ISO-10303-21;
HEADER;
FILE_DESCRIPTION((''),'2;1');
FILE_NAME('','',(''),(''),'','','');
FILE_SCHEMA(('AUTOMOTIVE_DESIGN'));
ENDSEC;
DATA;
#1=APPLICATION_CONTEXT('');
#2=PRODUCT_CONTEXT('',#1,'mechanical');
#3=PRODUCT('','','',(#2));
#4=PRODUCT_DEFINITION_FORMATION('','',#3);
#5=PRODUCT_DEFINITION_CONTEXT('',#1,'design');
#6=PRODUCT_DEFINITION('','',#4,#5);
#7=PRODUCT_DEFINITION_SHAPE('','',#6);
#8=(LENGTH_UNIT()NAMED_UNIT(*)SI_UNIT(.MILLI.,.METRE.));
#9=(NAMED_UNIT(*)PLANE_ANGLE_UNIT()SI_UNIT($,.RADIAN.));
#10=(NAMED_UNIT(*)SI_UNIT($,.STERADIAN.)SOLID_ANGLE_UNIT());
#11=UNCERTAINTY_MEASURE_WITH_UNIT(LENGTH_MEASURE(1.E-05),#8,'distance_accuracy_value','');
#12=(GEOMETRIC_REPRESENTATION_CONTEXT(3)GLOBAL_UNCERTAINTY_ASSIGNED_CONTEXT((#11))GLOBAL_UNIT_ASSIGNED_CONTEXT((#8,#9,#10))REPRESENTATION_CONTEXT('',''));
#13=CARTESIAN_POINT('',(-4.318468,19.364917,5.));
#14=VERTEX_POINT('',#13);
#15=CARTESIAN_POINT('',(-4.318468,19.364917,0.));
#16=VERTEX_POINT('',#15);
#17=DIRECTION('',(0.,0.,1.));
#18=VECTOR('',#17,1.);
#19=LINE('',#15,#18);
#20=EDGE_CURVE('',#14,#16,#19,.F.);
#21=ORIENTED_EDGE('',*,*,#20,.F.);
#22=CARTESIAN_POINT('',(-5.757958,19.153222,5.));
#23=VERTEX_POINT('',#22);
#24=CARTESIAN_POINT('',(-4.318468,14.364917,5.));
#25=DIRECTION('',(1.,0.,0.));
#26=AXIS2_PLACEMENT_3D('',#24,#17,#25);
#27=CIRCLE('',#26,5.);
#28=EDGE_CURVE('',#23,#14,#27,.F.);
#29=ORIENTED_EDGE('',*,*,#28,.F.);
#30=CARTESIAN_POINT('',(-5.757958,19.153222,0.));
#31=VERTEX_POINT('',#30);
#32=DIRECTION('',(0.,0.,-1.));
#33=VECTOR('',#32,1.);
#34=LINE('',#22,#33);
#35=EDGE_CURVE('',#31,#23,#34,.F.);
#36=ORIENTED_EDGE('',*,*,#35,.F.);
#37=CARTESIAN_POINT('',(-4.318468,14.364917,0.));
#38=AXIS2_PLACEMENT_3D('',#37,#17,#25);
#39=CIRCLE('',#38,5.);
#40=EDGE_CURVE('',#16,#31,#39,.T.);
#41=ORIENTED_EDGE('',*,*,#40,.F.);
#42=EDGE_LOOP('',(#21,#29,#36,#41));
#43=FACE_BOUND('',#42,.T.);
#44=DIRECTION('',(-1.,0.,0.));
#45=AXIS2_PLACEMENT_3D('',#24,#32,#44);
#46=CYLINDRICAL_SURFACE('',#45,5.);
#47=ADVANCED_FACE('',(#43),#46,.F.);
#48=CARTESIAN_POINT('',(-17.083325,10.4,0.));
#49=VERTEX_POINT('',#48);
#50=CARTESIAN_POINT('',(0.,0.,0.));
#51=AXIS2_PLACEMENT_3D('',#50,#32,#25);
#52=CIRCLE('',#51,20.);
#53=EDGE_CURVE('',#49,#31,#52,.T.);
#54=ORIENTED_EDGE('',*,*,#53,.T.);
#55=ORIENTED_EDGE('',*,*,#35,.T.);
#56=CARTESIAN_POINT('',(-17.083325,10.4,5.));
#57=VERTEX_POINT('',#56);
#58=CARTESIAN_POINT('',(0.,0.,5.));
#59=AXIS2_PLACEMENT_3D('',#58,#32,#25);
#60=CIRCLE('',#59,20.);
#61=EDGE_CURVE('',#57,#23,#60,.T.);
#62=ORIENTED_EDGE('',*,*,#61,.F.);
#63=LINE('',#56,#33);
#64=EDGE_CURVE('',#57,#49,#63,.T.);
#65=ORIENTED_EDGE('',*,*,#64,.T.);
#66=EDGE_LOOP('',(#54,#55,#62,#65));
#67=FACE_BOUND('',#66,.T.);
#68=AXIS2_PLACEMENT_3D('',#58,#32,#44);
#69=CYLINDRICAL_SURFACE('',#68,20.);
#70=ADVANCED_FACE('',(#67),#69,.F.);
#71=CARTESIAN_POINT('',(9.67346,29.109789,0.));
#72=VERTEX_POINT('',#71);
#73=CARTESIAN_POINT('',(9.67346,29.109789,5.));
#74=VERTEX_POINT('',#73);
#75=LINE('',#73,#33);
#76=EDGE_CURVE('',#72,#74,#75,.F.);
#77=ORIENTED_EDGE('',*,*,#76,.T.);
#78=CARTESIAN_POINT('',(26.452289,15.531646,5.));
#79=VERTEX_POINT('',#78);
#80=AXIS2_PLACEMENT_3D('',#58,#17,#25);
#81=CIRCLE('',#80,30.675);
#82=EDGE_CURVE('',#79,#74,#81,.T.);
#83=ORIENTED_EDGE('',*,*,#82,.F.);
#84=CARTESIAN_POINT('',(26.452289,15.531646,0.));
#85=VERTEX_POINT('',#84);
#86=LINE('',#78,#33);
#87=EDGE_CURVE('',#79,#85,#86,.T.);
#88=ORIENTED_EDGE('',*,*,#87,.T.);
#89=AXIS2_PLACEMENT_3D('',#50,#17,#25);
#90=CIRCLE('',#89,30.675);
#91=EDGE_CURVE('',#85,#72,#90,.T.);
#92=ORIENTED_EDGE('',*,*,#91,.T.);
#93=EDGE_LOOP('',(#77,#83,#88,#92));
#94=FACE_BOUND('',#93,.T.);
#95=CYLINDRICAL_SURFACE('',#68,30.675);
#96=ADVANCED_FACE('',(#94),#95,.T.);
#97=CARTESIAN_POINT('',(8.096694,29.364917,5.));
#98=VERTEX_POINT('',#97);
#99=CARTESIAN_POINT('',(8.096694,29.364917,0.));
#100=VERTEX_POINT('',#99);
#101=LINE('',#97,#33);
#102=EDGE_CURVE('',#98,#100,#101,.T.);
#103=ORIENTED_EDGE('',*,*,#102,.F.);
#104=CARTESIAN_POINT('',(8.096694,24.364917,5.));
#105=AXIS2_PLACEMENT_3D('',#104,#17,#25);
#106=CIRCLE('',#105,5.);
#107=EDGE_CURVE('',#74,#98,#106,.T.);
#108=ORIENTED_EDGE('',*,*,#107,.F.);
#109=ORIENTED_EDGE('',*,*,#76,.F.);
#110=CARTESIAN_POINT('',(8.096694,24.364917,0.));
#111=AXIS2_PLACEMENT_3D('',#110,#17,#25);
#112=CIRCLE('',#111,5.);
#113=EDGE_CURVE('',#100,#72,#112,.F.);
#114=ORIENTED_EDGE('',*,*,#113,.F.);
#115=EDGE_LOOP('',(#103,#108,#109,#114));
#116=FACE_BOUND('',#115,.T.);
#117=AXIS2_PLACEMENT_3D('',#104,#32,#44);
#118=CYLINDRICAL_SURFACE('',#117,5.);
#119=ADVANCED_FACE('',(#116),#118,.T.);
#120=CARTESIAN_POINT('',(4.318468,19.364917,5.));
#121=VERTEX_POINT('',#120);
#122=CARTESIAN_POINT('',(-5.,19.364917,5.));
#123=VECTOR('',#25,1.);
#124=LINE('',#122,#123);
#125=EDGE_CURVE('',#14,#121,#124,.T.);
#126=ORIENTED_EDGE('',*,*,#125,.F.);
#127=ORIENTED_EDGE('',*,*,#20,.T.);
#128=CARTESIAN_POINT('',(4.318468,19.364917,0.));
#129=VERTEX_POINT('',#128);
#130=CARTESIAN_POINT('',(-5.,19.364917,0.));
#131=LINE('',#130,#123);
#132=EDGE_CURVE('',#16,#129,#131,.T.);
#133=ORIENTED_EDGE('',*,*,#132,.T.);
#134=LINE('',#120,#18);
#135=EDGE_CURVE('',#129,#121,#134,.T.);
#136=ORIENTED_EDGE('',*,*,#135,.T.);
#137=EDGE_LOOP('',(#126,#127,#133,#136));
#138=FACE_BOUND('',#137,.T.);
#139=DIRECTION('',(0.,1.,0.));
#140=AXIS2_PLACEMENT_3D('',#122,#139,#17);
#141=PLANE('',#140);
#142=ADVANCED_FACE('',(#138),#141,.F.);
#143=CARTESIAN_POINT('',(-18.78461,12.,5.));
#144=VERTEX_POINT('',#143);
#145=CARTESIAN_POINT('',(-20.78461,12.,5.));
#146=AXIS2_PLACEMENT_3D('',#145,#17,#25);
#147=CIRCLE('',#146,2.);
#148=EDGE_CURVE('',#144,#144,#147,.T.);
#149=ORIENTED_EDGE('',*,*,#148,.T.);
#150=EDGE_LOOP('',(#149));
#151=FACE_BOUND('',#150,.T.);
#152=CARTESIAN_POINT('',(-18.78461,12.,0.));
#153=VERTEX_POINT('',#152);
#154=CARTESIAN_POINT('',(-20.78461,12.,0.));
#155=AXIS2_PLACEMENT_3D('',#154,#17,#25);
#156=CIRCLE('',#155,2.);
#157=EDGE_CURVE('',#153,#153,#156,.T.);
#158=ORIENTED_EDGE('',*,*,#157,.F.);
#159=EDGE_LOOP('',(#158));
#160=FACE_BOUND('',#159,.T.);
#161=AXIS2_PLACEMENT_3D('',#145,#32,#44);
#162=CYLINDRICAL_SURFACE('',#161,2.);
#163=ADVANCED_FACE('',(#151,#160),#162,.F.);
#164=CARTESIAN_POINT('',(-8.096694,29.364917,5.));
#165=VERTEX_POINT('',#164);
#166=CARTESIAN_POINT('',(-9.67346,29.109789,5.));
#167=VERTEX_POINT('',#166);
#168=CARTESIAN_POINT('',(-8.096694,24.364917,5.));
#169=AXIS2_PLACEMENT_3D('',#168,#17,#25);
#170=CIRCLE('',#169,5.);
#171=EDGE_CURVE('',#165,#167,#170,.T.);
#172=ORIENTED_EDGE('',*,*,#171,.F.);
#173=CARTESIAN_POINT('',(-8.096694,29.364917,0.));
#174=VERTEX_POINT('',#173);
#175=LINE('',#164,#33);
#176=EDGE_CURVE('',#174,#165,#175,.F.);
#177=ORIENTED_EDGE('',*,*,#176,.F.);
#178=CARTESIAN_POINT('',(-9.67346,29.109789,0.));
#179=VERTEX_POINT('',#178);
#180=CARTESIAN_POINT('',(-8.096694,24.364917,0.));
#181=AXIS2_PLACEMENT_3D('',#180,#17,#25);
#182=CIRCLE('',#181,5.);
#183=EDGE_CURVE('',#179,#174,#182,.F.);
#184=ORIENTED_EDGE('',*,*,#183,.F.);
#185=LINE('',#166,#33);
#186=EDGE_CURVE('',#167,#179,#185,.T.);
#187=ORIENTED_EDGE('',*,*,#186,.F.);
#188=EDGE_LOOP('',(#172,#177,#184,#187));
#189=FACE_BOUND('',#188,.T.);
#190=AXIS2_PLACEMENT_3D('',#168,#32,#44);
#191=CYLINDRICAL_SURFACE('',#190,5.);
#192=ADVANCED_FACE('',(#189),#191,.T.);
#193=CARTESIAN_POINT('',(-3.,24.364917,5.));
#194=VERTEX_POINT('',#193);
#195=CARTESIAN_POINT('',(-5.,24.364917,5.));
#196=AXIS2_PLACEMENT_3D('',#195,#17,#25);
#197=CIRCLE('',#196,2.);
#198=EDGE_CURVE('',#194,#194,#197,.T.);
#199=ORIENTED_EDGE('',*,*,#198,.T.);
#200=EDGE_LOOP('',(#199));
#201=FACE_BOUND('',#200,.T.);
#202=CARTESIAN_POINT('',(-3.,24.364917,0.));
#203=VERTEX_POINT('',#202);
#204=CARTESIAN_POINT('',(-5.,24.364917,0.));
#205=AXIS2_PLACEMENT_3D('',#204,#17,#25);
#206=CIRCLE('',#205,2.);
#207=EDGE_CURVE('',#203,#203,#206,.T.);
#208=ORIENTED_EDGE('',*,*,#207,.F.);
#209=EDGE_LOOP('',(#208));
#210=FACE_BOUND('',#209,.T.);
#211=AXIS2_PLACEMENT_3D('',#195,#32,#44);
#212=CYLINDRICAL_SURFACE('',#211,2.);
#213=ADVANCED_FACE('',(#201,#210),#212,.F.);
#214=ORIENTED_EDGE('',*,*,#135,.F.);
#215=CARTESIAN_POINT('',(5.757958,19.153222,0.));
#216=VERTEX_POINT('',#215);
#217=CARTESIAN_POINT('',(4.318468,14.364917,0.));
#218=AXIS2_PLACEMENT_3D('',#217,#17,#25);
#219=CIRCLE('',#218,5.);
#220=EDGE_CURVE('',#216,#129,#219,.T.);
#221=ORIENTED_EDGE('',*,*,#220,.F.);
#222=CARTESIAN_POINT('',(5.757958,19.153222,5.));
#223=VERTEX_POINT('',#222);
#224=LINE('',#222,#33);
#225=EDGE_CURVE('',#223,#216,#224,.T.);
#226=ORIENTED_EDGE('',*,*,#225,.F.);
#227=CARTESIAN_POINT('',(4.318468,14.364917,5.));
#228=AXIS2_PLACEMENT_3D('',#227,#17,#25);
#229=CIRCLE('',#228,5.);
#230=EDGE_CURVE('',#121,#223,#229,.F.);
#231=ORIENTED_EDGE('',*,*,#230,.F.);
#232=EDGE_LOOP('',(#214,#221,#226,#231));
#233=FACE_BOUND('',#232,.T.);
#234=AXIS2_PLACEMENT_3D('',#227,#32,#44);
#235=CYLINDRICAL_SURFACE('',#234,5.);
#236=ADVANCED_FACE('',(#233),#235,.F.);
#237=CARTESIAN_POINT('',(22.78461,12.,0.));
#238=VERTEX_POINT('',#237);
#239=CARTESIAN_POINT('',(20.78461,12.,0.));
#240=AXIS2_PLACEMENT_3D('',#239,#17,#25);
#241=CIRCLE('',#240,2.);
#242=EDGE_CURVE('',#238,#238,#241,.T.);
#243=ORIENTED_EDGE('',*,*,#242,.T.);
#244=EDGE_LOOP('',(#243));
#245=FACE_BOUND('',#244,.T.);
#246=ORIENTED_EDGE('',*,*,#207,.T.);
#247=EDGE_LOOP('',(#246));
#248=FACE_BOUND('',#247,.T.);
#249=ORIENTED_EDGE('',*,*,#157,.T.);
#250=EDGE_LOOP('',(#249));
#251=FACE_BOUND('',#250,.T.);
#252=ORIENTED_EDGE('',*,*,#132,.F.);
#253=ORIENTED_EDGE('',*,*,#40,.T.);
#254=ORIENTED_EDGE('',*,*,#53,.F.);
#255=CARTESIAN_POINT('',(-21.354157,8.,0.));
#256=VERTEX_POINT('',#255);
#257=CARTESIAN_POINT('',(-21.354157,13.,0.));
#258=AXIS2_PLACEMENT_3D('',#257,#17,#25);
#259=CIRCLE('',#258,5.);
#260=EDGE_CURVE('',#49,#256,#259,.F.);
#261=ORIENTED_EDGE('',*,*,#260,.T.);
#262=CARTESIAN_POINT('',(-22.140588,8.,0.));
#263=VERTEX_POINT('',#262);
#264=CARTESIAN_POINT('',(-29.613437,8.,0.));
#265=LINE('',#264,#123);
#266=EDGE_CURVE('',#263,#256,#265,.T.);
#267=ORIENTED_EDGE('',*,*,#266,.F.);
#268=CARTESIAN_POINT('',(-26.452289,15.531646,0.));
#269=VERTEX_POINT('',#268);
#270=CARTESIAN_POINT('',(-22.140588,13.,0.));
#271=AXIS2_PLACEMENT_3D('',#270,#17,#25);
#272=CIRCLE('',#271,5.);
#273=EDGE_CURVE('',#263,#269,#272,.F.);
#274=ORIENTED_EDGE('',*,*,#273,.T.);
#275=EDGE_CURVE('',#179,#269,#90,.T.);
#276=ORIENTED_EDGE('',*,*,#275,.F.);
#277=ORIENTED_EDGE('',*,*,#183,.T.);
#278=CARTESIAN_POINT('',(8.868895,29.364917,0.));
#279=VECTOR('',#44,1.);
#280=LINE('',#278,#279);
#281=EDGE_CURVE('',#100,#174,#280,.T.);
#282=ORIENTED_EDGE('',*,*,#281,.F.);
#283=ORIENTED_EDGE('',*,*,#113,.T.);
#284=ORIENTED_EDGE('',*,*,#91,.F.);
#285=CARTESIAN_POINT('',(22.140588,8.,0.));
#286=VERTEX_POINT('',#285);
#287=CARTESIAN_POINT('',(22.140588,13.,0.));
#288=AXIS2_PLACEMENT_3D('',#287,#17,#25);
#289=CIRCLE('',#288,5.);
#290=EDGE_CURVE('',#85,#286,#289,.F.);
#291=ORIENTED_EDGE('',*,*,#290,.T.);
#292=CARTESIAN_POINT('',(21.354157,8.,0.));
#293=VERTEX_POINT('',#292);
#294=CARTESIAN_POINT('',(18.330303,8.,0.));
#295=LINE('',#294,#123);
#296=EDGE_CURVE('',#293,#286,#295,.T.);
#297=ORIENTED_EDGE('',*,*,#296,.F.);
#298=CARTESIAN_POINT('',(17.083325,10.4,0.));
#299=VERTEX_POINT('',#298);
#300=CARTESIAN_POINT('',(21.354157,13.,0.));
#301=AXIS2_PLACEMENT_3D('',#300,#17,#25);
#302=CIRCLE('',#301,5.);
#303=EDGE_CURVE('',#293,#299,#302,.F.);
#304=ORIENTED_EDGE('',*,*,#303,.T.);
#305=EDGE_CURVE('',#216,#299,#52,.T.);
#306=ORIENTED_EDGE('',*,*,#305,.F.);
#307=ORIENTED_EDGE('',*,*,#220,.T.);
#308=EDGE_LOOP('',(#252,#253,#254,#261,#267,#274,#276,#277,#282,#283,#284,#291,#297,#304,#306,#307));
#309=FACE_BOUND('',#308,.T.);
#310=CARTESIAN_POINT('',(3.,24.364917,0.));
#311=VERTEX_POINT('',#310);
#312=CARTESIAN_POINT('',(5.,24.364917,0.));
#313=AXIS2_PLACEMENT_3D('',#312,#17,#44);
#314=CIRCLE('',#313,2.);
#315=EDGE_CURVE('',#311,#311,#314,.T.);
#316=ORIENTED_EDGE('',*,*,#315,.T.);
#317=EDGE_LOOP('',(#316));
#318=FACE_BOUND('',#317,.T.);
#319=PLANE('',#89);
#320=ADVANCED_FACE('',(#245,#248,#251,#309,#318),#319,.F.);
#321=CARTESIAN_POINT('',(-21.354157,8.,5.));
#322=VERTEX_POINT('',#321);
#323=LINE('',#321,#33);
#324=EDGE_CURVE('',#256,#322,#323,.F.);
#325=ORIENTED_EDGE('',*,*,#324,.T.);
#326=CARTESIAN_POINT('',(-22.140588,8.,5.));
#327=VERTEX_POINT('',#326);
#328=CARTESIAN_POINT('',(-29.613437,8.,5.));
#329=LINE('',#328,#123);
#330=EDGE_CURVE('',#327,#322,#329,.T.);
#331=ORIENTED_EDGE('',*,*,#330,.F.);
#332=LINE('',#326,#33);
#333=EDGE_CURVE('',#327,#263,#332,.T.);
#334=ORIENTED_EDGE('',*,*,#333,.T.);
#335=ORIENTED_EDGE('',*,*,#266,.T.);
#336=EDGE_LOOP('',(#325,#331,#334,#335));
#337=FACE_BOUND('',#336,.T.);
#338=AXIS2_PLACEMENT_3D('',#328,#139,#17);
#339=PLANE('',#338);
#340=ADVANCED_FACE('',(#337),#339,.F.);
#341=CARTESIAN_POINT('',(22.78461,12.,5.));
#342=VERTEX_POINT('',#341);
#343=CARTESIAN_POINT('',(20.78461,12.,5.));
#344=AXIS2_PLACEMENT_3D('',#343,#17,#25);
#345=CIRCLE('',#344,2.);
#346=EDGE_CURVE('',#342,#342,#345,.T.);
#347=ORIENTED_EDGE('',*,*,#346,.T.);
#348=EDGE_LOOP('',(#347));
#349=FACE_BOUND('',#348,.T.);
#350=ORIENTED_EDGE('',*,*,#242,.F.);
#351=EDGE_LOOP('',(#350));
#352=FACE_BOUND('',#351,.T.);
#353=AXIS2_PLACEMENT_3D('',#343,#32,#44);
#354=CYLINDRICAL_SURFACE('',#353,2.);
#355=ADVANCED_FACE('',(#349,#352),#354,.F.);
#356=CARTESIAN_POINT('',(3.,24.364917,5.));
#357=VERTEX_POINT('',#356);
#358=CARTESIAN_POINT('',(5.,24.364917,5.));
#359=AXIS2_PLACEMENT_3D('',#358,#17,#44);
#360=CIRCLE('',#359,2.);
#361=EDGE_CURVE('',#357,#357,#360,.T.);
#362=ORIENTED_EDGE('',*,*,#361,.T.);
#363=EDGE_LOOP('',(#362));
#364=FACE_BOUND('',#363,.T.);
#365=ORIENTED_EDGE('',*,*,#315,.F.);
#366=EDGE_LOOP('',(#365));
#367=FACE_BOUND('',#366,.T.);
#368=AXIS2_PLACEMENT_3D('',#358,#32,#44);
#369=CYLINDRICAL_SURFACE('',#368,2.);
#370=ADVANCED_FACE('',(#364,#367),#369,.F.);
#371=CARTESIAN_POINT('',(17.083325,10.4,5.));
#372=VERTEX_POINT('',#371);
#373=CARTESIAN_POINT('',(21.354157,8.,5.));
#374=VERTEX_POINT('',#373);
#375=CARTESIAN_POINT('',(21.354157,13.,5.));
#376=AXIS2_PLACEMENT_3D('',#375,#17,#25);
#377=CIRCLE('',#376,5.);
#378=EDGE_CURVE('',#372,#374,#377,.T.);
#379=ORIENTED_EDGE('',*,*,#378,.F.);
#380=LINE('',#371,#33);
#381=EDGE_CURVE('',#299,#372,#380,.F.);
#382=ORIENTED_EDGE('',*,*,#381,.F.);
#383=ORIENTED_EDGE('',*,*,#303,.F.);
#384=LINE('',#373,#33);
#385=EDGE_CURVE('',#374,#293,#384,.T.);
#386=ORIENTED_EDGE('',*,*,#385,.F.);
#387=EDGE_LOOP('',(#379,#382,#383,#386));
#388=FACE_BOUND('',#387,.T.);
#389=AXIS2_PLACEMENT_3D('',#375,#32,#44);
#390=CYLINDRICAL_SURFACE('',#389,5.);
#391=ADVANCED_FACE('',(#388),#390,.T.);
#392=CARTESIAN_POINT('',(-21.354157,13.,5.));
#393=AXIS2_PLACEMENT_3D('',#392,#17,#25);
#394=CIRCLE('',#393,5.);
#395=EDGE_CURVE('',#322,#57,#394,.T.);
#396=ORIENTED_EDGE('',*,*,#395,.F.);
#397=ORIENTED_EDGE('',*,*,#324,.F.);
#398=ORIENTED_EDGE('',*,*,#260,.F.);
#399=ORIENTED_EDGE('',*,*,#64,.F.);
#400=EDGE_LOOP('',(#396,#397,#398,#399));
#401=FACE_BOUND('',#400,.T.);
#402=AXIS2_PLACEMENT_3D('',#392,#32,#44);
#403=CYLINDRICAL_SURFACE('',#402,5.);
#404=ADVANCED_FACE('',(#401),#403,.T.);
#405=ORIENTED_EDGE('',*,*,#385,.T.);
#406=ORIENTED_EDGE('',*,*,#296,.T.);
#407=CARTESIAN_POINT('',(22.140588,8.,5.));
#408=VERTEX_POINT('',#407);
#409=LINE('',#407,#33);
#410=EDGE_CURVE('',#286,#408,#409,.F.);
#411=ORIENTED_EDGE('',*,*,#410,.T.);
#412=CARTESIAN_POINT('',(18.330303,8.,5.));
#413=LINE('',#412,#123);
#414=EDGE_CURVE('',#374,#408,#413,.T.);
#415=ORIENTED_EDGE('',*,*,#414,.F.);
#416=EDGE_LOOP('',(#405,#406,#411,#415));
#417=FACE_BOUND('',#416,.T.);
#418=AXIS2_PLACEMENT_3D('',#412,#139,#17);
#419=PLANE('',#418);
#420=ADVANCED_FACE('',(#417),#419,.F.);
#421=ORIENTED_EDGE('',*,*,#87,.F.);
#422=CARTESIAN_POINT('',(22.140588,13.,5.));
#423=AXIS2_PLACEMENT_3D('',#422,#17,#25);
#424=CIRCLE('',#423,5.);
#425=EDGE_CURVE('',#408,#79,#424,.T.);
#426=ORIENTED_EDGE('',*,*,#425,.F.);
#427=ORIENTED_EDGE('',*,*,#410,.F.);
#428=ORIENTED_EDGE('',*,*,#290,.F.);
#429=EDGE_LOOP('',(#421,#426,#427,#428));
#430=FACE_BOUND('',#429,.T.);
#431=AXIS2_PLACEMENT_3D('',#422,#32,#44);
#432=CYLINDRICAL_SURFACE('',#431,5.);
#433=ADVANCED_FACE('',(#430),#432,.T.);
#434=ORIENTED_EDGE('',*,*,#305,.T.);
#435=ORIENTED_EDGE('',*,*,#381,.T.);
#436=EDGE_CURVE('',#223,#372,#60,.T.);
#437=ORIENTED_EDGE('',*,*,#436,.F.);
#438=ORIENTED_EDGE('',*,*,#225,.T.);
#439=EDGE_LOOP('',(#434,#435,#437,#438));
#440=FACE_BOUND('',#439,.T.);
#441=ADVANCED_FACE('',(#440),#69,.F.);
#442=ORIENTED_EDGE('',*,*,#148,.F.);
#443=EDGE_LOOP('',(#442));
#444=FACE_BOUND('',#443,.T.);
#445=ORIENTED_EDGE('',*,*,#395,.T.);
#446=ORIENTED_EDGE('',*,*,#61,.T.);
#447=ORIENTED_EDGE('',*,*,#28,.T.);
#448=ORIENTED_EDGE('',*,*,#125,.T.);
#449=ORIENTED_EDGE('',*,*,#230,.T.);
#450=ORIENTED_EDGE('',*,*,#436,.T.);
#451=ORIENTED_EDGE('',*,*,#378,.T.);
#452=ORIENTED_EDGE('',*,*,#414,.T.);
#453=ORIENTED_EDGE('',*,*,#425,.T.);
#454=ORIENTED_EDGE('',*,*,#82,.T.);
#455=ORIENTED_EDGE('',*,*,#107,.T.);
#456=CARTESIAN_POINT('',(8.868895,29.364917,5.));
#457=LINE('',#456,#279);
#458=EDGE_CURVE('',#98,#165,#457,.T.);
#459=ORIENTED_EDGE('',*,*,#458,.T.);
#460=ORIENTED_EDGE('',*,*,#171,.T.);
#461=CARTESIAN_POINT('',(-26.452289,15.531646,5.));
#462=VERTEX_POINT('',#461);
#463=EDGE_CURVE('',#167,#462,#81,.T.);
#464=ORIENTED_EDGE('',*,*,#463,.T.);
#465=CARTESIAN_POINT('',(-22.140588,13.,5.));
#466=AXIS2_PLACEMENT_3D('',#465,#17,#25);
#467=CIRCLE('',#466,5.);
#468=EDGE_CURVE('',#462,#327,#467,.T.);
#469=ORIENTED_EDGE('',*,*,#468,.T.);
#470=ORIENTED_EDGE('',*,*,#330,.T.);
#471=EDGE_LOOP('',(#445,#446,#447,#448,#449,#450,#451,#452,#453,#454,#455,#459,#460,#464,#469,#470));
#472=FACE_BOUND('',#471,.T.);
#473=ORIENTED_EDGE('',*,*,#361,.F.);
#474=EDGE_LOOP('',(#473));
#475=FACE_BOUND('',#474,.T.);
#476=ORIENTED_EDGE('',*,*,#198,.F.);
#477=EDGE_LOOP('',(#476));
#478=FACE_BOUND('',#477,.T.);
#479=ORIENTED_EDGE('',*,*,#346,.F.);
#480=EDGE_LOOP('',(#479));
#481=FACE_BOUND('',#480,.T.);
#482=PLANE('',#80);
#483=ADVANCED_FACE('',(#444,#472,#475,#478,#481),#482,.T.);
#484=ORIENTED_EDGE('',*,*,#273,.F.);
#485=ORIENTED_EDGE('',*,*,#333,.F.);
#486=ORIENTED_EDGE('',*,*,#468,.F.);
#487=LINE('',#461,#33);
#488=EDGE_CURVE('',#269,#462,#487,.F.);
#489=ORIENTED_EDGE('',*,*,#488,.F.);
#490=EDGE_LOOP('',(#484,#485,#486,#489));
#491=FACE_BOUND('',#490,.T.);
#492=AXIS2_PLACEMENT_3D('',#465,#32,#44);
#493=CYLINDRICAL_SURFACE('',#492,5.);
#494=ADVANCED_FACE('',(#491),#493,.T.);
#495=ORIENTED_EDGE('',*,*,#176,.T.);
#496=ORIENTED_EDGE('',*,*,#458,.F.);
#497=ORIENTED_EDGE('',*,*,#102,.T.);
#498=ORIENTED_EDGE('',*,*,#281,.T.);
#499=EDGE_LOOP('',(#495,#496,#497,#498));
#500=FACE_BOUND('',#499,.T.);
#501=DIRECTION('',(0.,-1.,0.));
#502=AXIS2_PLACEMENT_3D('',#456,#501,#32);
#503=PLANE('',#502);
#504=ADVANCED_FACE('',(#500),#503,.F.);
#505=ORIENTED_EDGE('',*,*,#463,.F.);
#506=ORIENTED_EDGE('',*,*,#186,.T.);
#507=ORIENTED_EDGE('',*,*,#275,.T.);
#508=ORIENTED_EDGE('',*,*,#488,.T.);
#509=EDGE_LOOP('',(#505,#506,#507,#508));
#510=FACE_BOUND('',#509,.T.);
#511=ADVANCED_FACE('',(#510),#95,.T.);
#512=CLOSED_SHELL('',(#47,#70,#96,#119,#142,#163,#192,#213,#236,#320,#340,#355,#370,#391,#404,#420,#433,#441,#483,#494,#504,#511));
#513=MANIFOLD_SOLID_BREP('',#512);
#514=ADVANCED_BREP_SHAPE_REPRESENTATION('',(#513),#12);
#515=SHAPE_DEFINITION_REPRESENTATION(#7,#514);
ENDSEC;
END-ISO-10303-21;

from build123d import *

# Parameters (mm, degrees)
SKETCH1_R           = 2
BOSS_EXTRUDE1_DEPTH = 5
FILLET1_R           = 5


with BuildPart() as part:
    # Sketch1 → Boss-Extrude1 (new body)
    with BuildSketch(Plane.XY):
        with BuildLine():
            Line((-29.613436562, 8), (-18.33030278, 8))
            ThreePointArc((-18.33030278, 8), (-12.975595941, 15.219523973), (-5, 19.364916731))
            Line((-5, 19.364916731), (5, 19.364916731))
            ThreePointArc((5, 19.364916731), (12.975595941, 15.219523973), (18.33030278, 8))
            Line((18.33030278, 8), (29.613436562, 8))
            ThreePointArc((29.613436562, 8), (22.00766613, 21.368627857), (8.868894541, 29.364916731))
            Line((8.868894541, 29.364916731), (-8.868894541, 29.364916731))
            ThreePointArc((-8.868894541, 29.364916731), (-22.00766613, 21.368627857), (-29.613436562, 8))
        make_face()
        with Locations((20.784609691, 12)):
            Circle(SKETCH1_R, mode=Mode.SUBTRACT)
        with Locations((-20.784609691, 12)):
            Circle(SKETCH1_R, mode=Mode.SUBTRACT)
        with Locations((-5, 24.364916731)):
            Circle(SKETCH1_R, mode=Mode.SUBTRACT)
        with Locations(Location((5, 24.364916731, 0), (0, 0, 180))):
            Circle(SKETCH1_R, mode=Mode.SUBTRACT)
    extrude(amount=BOSS_EXTRUDE1_DEPTH)

    # Fillet1
    fillet1_edges = [part.edges().sort_by_distance(p)[0] for p in [
        (-18.33030278, 8, 2.5),
        (-29.613436562, 8, 2.5),
        (-8.868894541, 29.364916731, 2.5),
        (8.868894541, 29.364916731, 2.5),
        (29.613436562, 8, 2.5),
        (18.33030278, 8, 2.5),
        (5, 19.364916731, 2.5),
        (-5, 19.364916731, 2.5),
    ]]
    fillet(fillet1_edges, radius=FILLET1_R)


solid = part.part
